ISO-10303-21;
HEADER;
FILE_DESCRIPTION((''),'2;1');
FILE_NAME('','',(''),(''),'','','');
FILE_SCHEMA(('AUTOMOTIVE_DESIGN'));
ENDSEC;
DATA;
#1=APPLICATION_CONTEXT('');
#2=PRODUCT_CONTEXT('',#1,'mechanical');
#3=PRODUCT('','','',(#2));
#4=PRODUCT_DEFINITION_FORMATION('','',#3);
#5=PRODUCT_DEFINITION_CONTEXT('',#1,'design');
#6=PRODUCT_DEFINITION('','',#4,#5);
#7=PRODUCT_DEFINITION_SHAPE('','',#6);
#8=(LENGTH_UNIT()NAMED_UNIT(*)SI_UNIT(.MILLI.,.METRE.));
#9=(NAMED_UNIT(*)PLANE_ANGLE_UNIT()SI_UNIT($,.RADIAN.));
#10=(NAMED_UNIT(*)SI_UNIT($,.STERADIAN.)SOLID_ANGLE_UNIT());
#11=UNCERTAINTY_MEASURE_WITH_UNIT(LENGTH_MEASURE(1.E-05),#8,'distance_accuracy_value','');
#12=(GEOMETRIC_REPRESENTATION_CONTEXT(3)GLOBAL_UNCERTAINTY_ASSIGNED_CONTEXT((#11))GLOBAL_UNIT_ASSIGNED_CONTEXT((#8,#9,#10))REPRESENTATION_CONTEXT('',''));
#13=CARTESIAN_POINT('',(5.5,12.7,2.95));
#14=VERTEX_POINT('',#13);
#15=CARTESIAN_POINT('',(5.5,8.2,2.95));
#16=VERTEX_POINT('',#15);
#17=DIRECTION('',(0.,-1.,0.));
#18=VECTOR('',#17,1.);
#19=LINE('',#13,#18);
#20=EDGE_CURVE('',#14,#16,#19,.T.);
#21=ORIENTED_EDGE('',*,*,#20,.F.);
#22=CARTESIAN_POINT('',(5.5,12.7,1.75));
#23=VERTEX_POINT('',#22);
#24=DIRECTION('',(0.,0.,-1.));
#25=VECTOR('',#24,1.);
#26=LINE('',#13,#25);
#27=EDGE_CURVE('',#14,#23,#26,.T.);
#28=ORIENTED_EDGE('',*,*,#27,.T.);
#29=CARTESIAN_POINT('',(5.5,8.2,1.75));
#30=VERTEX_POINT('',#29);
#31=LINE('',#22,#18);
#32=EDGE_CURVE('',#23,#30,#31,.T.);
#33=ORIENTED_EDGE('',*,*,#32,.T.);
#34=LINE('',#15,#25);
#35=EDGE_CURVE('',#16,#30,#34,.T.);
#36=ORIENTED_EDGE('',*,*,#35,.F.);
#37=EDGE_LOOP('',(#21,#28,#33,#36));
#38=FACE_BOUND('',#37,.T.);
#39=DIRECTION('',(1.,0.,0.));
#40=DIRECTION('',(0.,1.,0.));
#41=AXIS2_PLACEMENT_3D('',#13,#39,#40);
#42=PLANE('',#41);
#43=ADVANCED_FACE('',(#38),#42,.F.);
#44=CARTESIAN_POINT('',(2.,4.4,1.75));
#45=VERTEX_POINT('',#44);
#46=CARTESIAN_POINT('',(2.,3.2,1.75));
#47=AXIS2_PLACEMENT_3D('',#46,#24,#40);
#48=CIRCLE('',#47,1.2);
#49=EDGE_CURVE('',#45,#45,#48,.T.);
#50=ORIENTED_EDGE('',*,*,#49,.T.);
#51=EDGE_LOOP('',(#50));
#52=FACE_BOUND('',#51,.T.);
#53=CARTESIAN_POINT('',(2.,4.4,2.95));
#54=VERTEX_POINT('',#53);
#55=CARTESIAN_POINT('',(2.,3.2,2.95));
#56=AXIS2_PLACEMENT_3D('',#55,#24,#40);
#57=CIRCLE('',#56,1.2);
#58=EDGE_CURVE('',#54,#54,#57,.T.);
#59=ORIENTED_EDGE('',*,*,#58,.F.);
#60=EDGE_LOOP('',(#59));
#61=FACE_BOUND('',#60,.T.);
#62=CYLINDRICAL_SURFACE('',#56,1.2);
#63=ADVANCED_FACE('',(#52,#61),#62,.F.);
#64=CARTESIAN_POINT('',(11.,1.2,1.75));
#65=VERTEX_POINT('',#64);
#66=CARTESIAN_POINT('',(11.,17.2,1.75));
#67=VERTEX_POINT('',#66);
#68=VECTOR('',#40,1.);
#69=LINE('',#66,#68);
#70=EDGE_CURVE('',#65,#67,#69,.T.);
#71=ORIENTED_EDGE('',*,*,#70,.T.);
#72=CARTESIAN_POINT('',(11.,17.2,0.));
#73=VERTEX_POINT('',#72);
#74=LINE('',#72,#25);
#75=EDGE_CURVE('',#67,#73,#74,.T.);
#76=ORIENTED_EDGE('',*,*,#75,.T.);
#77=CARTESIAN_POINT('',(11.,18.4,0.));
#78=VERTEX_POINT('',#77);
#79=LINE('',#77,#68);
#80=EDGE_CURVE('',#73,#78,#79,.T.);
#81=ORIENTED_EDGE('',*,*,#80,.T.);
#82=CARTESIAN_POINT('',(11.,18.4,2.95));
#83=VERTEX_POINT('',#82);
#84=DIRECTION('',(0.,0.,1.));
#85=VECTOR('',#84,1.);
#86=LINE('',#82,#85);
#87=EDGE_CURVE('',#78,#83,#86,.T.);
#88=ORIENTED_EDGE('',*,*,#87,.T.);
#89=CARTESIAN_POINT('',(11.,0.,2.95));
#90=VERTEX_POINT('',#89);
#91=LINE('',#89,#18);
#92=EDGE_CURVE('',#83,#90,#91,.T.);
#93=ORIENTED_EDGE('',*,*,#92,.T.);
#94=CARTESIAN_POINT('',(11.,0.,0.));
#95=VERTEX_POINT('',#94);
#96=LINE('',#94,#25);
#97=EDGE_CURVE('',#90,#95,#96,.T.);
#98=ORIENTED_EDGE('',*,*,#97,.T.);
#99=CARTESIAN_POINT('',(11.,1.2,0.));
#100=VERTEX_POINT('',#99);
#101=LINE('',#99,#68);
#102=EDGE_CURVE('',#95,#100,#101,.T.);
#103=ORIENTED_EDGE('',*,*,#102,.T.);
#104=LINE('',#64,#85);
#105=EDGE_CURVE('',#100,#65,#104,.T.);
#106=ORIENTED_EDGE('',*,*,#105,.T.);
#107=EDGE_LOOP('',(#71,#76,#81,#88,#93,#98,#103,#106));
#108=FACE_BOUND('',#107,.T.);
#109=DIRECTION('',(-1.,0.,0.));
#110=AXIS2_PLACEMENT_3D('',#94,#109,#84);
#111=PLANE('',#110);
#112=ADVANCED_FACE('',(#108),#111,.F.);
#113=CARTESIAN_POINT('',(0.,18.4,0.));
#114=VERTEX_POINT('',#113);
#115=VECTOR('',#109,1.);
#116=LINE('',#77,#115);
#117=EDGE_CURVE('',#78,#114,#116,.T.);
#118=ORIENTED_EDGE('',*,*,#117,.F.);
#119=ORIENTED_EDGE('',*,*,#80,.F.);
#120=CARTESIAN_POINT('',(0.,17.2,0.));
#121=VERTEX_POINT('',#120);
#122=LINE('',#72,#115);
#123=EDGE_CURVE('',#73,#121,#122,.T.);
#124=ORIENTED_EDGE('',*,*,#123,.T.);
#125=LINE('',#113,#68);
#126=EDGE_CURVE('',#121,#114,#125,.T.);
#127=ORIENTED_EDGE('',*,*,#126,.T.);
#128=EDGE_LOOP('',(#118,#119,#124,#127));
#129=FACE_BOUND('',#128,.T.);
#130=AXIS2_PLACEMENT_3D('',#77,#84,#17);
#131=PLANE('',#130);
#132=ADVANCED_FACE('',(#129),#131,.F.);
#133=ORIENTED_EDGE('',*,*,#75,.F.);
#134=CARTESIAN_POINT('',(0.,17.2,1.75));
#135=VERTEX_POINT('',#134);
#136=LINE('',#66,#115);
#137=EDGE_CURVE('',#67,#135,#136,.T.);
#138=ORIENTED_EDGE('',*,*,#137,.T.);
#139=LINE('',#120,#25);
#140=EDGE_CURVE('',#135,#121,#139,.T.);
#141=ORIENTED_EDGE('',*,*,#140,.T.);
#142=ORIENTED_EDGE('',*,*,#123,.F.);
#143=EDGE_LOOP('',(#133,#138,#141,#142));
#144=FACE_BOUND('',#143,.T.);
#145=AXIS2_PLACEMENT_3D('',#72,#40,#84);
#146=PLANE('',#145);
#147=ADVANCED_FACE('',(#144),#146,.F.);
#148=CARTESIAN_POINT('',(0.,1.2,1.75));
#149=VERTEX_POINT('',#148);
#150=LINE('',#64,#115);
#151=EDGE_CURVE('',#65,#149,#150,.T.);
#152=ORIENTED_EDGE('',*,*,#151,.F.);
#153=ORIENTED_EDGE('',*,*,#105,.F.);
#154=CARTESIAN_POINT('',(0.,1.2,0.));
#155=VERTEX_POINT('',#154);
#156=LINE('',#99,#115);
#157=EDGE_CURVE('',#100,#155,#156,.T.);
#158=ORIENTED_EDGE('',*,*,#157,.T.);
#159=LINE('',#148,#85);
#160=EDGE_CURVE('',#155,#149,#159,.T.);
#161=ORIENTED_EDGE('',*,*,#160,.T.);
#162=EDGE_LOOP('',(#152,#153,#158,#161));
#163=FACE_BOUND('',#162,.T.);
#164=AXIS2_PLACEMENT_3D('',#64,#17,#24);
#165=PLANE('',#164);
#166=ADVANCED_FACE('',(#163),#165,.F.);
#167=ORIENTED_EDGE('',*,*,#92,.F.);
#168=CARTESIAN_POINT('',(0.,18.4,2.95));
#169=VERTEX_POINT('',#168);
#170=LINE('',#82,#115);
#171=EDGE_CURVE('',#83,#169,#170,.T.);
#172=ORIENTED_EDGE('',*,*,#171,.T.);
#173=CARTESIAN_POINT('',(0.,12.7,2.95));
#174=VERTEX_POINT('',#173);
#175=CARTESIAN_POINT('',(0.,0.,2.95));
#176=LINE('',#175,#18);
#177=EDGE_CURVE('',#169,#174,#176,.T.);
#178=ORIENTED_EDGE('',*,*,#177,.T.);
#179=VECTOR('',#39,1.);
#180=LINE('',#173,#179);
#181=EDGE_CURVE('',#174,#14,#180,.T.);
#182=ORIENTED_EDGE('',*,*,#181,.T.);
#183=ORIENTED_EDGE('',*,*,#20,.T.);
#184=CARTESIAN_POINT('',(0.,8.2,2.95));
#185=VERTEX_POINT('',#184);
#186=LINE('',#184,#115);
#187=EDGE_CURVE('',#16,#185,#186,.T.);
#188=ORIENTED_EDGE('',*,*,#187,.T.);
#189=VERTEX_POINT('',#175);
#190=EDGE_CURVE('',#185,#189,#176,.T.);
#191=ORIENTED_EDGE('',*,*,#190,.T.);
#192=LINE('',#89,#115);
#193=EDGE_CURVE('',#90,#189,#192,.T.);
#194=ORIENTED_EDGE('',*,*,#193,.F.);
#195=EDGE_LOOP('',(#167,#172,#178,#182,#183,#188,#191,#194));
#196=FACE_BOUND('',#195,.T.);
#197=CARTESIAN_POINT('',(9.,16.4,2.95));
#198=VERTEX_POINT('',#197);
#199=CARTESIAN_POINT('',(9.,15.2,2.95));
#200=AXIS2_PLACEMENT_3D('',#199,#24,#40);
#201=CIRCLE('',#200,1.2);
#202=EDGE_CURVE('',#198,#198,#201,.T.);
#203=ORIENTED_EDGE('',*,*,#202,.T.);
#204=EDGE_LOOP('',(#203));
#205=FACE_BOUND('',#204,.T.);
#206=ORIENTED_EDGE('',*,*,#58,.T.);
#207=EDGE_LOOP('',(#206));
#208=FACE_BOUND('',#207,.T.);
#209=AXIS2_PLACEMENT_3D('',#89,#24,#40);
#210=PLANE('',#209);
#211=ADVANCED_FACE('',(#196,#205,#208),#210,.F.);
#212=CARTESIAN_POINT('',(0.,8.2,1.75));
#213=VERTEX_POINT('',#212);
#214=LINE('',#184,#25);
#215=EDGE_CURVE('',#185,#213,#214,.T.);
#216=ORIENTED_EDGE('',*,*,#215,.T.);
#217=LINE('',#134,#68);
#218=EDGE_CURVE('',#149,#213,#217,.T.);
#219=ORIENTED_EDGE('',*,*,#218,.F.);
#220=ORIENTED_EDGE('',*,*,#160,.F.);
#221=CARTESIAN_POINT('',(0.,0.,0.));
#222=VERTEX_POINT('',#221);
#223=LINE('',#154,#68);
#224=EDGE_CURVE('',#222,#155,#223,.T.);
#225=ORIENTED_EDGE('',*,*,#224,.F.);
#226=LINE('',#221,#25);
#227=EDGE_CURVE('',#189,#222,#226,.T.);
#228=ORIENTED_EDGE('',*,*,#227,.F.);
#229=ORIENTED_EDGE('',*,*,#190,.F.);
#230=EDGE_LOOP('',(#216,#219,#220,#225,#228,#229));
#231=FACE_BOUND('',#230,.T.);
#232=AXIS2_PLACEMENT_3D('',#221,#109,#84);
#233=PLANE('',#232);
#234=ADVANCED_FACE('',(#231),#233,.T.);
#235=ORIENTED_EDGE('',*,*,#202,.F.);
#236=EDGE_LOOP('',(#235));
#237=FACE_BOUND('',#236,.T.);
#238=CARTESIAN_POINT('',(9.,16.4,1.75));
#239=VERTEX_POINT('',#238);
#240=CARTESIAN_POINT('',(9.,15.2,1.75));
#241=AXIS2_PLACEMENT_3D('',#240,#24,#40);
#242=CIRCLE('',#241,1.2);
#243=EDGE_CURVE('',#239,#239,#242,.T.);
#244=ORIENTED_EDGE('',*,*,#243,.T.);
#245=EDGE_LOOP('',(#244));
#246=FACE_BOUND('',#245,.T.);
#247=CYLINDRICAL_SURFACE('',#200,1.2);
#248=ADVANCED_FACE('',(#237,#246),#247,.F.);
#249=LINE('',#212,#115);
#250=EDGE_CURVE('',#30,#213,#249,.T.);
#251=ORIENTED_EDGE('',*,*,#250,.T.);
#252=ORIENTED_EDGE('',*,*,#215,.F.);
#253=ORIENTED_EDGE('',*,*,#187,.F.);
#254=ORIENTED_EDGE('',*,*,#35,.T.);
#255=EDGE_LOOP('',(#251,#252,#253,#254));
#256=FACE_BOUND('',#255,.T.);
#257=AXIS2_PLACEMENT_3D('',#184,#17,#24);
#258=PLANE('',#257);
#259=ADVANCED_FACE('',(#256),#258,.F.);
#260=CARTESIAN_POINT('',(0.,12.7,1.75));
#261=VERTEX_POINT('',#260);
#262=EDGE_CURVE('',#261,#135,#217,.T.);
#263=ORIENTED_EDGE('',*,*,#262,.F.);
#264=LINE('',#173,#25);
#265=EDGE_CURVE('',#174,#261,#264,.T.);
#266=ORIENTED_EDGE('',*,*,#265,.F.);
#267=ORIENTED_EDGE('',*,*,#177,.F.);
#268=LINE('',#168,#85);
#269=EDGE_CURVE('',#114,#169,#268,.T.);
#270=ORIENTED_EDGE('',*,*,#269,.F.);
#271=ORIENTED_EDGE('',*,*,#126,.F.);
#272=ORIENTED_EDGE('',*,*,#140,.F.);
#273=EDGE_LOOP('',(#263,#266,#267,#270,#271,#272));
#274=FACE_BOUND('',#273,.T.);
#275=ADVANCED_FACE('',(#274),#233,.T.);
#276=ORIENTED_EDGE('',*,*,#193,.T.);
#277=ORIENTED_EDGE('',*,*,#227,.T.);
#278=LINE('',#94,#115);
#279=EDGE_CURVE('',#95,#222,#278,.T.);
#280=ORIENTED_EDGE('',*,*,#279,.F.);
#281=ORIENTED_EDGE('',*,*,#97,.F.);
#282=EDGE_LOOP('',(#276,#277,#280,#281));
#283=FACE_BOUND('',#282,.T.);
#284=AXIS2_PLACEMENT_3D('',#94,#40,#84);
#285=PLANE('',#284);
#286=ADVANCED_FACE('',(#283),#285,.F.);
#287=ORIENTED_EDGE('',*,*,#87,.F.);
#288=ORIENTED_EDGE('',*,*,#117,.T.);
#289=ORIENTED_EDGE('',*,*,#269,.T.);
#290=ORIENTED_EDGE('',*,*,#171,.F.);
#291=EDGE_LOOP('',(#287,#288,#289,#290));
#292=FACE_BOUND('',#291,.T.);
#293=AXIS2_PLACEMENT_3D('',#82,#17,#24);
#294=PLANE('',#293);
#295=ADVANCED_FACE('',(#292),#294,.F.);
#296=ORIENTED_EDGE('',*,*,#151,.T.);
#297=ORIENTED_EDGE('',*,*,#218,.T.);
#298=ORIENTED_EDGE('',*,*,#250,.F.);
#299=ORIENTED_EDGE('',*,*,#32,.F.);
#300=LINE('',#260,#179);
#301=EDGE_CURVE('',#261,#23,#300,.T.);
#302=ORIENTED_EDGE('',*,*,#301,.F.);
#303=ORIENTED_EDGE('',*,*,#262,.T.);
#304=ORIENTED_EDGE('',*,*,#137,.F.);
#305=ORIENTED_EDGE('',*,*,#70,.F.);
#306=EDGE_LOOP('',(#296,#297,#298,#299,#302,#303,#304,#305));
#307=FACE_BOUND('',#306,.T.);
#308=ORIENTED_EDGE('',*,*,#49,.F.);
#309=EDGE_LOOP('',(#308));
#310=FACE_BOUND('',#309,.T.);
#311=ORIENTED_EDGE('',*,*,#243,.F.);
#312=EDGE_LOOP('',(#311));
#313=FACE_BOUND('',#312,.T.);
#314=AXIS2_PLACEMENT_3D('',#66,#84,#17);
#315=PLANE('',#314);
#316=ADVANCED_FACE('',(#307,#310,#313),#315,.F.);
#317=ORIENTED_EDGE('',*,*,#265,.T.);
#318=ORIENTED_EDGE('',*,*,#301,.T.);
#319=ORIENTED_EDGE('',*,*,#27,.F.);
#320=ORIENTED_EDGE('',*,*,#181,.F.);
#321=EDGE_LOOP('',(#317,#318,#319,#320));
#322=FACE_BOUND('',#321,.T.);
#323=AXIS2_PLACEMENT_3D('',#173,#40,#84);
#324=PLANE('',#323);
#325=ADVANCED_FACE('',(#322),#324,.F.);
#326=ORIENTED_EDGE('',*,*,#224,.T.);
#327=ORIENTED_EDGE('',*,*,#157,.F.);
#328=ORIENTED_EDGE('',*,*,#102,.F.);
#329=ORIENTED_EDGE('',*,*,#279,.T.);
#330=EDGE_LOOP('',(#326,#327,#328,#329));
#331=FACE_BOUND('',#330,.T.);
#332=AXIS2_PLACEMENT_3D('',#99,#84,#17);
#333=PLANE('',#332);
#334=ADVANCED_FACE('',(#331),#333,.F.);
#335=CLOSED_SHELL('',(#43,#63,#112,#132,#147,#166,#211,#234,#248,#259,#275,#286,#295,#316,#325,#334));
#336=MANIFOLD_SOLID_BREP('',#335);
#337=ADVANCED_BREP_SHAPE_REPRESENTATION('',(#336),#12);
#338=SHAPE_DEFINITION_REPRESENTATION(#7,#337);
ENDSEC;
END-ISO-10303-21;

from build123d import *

# Parameters (mm, degrees)
BOSS_EXTRUDE1_DEPTH = 11
SKETCH3_R           = 1.2
SKETCH3_W           = 5.5
SKETCH3_H           = 4.5
CUT_EXTRUDE1_DEPTH  = 22.508661046


with BuildPart() as part:
    # Sketch1 → Boss-Extrude1 (new body)
    with BuildSketch(Plane(origin=(0, 0, 0), x_dir=(0, 0, -1), z_dir=(1, 0, 0))):
        Polygon((0, 0), (-2.95, 0), (-2.95, 18.4), (0, 18.4), (0, 17.2), (-1.75, 17.2), (-1.75, 1.2), (0, 1.2), align=None)
    extrude(amount=BOSS_EXTRUDE1_DEPTH)

    # Sketch3 → Cut-Extrude1 (cut, through all)
    with BuildSketch(Plane(origin=(0, 0, 1.75), x_dir=(-1, 0, 0), z_dir=(0, 0, -1))):
        with Locations(Location((-9, 15.2, 0), (0, 0, 90))):
            Circle(SKETCH3_R)
        with Locations(Location((-2, 3.2, 0), (0, 0, 90))):
            Circle(SKETCH3_R)
        with Locations((-2.75, 10.45)):
            Rectangle(SKETCH3_W, SKETCH3_H)
    extrude(amount=-CUT_EXTRUDE1_DEPTH, mode=Mode.SUBTRACT)


solid = part.part
